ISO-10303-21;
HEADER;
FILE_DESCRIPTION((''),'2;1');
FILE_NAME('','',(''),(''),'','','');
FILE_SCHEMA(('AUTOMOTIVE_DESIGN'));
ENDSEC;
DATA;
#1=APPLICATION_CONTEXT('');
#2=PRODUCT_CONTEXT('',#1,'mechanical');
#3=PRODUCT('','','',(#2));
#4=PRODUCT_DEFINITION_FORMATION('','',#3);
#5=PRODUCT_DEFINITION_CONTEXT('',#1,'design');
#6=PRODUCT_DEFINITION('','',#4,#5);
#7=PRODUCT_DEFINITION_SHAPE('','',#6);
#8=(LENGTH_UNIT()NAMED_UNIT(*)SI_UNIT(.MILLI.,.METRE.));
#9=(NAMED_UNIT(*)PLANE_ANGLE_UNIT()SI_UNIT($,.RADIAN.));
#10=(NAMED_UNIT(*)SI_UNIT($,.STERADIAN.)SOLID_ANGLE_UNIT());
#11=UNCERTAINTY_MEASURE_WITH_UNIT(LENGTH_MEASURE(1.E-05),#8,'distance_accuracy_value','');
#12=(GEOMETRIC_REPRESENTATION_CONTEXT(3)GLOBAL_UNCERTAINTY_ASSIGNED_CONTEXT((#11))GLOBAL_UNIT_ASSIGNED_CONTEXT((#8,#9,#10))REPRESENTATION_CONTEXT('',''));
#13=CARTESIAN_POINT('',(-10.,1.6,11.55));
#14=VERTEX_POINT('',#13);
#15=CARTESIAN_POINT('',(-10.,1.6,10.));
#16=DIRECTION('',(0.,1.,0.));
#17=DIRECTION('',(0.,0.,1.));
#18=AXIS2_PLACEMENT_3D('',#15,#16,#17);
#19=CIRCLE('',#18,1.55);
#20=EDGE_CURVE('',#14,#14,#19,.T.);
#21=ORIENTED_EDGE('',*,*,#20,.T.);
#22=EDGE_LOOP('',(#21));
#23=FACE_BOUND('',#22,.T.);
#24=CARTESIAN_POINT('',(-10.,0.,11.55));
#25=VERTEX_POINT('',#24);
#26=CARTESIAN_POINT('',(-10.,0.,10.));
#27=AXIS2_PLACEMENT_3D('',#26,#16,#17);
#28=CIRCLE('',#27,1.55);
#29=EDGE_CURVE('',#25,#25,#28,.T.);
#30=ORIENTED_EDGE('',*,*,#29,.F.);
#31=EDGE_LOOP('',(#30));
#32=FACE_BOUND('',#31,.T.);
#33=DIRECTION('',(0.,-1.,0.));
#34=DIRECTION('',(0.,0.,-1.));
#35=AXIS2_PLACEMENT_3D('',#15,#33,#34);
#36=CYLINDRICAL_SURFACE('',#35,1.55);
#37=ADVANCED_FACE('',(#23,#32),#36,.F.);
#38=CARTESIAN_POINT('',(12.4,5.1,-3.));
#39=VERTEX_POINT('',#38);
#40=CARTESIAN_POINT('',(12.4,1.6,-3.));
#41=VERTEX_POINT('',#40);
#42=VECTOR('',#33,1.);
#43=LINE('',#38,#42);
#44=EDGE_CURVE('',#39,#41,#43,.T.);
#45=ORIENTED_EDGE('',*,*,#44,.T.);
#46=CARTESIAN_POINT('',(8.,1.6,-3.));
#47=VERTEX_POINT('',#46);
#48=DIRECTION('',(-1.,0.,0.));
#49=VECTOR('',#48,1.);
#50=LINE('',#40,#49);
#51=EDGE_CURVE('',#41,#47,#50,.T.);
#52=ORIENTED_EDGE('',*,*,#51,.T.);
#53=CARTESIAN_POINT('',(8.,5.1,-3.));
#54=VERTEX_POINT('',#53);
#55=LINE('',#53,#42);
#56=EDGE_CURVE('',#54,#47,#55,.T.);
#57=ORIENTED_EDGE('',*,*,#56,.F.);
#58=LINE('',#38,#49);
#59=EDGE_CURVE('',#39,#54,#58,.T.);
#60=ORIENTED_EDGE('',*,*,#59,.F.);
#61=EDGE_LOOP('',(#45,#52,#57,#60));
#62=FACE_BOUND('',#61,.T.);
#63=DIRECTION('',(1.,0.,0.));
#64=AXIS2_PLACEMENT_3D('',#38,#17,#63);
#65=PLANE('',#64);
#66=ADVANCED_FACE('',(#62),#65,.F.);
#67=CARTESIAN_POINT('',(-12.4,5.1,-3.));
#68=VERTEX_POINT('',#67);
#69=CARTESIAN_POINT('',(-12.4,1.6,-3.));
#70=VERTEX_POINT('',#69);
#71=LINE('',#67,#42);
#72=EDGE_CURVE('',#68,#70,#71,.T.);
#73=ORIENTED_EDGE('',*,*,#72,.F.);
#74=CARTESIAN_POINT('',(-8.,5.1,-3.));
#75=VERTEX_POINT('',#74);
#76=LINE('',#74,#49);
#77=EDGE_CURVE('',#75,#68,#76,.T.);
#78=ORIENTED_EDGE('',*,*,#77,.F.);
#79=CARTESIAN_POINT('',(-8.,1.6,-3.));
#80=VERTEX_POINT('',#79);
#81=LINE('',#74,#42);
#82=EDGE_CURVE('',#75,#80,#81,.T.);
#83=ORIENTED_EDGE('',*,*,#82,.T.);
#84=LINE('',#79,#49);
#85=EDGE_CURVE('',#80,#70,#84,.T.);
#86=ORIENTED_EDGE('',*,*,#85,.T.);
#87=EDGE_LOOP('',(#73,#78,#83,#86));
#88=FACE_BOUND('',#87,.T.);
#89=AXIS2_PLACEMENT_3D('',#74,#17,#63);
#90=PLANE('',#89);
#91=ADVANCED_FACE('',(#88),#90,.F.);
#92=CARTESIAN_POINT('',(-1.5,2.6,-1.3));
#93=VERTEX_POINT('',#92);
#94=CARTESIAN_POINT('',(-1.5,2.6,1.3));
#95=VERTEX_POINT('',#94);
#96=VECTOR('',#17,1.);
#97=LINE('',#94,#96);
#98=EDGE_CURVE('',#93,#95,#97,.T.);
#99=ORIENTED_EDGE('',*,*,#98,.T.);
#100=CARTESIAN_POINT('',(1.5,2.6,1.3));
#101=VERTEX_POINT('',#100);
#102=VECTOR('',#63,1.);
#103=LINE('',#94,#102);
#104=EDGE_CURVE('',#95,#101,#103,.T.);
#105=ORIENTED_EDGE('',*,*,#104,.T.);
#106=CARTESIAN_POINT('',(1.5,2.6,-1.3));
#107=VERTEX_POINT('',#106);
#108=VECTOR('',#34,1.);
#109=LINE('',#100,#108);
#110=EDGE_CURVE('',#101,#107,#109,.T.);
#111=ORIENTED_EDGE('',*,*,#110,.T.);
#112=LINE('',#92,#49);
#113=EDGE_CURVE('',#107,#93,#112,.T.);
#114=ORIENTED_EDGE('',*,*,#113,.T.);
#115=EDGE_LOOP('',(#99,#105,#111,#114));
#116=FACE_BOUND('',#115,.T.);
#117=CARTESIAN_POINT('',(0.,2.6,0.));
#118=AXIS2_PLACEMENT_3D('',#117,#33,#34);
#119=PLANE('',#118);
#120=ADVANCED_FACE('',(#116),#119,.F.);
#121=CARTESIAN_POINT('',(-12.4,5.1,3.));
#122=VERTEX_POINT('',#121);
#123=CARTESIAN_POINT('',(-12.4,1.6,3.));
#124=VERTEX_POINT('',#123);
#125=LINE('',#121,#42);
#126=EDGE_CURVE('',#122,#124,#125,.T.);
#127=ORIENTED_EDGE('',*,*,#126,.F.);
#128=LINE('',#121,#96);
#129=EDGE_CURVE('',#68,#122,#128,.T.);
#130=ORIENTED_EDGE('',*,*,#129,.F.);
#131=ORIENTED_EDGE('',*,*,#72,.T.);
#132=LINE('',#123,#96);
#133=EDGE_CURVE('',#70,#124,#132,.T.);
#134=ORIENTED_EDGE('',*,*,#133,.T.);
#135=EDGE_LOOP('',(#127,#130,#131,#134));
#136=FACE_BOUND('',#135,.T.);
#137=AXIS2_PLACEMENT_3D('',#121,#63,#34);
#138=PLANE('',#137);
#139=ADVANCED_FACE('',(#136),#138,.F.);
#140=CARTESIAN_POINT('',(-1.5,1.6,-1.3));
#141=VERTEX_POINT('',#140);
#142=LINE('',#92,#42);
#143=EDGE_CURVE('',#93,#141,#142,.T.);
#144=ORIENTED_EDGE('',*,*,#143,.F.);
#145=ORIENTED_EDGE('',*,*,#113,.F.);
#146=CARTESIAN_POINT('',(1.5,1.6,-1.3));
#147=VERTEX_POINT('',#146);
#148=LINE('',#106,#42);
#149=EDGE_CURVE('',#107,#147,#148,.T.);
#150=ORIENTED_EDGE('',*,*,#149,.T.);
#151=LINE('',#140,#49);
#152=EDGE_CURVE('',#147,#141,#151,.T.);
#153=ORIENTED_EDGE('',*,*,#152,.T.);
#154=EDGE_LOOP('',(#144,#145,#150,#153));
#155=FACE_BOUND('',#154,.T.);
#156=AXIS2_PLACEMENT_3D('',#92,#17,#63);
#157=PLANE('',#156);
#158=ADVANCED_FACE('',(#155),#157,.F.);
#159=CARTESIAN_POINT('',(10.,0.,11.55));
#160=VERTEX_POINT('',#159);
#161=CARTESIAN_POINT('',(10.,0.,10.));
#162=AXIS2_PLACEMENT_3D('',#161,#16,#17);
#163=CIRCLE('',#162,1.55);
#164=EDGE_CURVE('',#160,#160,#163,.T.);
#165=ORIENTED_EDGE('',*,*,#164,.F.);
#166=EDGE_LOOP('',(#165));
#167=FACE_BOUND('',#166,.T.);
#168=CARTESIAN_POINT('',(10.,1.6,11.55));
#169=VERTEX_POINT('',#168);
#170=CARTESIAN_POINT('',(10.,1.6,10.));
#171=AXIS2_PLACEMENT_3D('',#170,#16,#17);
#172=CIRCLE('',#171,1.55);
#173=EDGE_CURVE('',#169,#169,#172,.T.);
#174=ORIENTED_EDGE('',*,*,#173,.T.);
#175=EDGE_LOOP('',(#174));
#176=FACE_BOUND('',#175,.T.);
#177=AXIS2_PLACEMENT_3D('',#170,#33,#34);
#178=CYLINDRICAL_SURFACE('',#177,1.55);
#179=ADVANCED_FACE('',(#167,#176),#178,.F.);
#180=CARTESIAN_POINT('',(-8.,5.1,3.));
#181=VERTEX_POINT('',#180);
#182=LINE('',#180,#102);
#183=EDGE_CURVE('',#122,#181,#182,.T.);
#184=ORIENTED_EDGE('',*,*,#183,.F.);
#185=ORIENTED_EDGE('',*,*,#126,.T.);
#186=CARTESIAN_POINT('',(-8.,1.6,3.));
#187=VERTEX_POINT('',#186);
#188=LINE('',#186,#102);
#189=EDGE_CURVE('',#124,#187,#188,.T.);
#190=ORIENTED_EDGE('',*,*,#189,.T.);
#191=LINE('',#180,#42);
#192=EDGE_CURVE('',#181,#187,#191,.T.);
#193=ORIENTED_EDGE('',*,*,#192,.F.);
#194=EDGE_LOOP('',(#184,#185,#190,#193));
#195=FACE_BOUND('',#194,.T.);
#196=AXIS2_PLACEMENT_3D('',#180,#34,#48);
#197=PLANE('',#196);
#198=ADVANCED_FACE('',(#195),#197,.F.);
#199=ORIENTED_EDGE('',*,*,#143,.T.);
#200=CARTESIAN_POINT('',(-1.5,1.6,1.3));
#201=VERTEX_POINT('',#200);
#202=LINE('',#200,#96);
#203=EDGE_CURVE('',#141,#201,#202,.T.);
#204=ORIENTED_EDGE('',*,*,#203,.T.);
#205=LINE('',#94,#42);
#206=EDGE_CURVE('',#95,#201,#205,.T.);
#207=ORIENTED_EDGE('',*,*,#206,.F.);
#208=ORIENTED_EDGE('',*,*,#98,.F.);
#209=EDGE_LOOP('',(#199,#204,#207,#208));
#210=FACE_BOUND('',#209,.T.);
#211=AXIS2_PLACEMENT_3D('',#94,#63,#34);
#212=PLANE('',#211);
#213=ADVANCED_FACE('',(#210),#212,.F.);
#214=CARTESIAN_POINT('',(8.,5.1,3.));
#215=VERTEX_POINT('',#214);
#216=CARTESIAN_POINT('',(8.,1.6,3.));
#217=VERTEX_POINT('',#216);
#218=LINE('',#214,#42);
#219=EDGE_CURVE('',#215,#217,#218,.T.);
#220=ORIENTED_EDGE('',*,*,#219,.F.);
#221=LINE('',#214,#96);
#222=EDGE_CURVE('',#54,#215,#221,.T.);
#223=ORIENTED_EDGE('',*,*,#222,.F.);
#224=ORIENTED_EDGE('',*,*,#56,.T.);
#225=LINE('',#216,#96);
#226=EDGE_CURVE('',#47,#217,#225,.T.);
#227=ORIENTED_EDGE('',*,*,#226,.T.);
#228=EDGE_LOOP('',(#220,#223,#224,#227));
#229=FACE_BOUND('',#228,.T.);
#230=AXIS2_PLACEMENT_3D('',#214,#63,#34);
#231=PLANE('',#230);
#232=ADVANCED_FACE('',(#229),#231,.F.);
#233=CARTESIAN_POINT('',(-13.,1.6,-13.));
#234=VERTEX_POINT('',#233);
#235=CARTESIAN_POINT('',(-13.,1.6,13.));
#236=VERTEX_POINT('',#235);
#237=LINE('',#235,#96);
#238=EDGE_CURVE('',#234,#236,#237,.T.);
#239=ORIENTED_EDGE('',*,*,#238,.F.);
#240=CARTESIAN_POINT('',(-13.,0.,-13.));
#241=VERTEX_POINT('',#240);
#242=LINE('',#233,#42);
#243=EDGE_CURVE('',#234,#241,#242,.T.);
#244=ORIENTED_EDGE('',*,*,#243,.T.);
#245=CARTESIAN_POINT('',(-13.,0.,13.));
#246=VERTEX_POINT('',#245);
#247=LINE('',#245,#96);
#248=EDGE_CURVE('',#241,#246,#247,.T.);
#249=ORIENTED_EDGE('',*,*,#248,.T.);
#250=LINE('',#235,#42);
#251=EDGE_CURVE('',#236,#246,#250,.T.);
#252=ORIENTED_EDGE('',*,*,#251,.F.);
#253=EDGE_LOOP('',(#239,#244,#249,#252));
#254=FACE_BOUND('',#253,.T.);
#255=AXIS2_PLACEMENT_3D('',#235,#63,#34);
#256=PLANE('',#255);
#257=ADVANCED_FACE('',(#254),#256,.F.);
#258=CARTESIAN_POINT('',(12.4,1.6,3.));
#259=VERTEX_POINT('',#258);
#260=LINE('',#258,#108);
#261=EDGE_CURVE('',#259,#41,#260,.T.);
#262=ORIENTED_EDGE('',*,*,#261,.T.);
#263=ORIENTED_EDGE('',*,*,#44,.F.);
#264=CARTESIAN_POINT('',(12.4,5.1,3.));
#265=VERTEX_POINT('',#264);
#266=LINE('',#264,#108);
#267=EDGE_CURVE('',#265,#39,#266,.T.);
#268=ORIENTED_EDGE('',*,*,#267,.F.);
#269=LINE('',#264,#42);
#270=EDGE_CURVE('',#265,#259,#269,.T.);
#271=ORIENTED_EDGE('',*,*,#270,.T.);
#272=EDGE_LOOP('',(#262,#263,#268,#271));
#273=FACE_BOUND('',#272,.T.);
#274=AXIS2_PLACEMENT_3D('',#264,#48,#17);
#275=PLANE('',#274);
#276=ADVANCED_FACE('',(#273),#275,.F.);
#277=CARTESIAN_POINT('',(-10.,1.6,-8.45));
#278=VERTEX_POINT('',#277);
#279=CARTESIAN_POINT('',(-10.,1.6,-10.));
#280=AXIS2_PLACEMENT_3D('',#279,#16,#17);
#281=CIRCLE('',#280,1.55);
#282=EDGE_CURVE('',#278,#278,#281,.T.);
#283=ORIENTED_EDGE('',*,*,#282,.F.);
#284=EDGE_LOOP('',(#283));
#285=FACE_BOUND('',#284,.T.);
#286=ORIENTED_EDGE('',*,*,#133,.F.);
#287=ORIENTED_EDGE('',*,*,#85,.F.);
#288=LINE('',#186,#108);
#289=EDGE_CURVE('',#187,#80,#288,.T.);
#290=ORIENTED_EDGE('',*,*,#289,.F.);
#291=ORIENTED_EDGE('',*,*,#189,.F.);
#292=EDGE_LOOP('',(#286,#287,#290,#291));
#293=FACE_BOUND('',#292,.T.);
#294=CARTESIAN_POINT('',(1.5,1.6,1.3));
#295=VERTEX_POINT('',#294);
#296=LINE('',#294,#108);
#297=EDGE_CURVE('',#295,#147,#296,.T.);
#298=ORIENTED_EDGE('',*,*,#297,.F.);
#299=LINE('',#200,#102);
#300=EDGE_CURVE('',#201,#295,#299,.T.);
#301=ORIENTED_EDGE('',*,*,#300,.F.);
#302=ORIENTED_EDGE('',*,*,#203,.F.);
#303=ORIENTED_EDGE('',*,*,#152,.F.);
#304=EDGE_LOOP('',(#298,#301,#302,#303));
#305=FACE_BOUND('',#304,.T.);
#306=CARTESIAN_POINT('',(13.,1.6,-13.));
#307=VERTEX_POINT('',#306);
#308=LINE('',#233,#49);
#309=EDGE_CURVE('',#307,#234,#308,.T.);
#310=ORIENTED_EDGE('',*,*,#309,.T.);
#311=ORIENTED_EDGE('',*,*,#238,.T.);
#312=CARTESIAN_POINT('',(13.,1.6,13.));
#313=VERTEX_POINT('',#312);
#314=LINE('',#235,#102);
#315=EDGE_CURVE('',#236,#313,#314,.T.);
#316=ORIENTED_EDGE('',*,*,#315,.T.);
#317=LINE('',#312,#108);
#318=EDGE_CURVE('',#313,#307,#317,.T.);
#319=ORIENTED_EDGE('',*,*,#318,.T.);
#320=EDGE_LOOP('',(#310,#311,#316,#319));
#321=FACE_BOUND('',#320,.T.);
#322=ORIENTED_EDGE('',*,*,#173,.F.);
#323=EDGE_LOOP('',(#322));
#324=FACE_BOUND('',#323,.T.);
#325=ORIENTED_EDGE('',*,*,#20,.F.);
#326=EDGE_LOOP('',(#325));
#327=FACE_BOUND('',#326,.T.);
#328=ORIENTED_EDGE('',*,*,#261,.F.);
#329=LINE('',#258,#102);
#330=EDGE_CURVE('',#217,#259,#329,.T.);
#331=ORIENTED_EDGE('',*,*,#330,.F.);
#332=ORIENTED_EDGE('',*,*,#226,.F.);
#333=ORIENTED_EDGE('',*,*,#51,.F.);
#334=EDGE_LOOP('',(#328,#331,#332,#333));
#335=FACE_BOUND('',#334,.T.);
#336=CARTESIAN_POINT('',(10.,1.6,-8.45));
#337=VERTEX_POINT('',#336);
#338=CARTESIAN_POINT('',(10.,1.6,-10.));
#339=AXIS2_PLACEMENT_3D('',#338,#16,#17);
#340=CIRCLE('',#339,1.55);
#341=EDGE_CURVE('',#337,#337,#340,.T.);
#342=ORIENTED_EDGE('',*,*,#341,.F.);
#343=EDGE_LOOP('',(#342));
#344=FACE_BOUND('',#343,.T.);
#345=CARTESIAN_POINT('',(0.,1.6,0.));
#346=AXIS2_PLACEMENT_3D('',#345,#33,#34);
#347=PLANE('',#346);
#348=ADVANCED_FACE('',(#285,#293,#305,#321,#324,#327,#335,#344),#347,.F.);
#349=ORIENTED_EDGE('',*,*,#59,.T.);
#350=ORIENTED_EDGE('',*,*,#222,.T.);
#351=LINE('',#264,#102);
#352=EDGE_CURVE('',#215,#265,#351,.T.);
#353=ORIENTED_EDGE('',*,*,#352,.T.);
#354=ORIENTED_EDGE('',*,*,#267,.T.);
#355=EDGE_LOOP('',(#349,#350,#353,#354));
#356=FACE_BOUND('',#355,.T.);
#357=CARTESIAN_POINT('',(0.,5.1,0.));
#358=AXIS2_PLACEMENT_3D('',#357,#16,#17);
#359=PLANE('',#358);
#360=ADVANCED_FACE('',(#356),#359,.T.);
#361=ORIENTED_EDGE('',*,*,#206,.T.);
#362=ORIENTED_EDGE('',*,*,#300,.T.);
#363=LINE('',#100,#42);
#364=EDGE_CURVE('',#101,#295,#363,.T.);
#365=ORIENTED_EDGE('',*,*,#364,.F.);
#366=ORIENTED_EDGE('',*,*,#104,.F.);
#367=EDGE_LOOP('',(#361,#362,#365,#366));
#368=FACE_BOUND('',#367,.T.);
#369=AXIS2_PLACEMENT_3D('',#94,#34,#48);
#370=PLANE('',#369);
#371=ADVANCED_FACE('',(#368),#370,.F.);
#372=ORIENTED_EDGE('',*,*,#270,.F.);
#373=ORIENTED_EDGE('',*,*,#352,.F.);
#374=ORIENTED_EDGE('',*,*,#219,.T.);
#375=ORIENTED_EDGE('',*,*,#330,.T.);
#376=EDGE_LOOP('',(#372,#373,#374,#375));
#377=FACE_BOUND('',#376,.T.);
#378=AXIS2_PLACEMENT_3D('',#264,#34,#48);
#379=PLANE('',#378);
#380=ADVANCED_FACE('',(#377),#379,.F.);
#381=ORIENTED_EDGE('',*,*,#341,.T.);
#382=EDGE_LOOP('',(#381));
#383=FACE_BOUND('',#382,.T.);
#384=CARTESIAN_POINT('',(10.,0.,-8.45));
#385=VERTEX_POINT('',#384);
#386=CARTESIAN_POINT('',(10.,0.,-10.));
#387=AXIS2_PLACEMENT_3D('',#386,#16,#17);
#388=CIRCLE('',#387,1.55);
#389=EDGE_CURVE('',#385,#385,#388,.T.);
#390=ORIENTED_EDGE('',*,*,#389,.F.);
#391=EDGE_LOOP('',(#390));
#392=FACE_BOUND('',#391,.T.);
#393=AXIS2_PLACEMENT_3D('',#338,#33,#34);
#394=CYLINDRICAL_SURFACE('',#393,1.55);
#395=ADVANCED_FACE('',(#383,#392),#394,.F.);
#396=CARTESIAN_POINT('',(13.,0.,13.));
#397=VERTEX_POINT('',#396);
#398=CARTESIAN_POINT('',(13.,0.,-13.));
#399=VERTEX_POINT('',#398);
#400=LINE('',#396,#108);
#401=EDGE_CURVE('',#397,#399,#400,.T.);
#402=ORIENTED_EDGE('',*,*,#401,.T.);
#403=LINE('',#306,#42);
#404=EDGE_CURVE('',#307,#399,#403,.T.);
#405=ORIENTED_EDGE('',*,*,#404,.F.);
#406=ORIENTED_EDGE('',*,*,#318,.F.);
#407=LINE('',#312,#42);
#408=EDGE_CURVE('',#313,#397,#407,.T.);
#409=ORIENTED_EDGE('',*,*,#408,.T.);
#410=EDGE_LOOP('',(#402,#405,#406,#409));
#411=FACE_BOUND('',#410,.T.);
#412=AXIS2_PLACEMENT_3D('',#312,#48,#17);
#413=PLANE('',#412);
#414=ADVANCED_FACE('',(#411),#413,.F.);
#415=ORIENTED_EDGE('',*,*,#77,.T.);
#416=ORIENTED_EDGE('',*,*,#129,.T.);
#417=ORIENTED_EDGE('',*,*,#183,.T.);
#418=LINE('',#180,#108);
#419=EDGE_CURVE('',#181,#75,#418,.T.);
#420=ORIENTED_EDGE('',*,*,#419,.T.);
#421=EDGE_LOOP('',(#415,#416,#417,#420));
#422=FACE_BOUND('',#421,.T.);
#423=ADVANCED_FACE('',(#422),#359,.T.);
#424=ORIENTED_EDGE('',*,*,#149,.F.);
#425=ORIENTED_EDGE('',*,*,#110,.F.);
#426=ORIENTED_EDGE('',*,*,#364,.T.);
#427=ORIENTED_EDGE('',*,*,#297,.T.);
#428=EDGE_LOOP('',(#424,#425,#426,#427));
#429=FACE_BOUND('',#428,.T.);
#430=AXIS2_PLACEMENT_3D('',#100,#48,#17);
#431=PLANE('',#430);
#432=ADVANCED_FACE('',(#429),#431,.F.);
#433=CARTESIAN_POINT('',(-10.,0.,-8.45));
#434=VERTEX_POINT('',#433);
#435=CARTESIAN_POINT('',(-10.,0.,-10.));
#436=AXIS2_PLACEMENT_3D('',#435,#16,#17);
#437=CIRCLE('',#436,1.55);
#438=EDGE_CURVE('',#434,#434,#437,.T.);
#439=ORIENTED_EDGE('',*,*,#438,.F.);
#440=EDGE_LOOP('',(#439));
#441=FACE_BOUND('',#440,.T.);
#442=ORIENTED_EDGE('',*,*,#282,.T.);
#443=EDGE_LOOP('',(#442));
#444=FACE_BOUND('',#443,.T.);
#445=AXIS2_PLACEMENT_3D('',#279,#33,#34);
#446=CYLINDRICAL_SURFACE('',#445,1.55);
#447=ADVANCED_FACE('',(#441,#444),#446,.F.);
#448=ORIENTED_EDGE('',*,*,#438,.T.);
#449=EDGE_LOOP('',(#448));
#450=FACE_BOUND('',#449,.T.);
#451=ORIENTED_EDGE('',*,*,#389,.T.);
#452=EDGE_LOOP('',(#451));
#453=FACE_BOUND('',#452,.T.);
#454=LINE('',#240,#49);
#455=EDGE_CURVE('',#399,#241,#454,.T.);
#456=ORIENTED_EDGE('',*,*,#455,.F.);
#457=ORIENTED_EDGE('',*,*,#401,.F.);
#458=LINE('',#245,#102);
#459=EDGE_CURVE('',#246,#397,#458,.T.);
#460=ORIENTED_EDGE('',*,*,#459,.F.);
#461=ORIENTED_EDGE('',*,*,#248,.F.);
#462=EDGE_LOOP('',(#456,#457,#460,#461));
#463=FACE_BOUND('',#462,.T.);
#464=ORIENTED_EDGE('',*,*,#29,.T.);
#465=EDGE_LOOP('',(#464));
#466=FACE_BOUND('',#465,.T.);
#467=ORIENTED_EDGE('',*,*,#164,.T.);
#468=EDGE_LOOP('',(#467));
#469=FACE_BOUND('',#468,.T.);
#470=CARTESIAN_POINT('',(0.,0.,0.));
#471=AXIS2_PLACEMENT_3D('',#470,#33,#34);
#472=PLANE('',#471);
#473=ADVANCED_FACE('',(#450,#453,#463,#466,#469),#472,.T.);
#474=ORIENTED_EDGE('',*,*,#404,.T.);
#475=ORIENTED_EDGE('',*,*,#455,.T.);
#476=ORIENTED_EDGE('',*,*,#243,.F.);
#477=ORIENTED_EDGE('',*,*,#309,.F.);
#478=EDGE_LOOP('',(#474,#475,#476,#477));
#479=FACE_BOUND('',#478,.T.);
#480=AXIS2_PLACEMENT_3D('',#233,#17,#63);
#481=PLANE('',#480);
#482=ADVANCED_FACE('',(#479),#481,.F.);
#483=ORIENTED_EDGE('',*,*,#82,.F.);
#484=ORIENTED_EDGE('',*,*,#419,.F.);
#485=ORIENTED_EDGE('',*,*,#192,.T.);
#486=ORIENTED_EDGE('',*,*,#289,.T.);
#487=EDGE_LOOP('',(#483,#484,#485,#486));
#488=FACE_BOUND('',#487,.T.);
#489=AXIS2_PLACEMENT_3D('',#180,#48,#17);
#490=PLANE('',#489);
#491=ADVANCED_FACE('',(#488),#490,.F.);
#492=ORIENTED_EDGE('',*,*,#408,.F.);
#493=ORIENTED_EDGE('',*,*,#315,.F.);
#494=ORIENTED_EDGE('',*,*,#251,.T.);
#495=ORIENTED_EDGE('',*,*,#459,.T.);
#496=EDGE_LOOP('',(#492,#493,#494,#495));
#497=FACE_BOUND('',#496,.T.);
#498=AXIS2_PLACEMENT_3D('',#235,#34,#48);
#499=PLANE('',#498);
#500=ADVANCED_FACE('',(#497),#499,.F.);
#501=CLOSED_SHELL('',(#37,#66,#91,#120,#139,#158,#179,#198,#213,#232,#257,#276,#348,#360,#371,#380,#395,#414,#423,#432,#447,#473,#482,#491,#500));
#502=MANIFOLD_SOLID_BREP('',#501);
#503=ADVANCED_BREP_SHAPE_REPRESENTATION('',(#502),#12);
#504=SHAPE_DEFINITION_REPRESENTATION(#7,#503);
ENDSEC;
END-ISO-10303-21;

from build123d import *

# Parameters (mm, degrees)
SKETCH1_W           = 26
SKETCH1_H           = 26
SKETCH1_R           = 1.55
BOSS_EXTRUDE1_DEPTH = 1.6
SKETCH2_W           = 4.4
SKETCH2_H           = 6
BOSS_EXTRUDE2_DEPTH = 3.5
SKETCH3_W           = 3
SKETCH3_H           = 2.6
BOSS_EXTRUDE3_DEPTH = 1


with BuildPart() as part:
    # Sketch1 → Boss-Extrude1 (new body)
    with BuildSketch(Plane(origin=(0, 0, 0), x_dir=(1, 0, 0), z_dir=(0, 1, 0))):
        Rectangle(SKETCH1_W, SKETCH1_H)
        with Locations((-10, 10)):
            Circle(SKETCH1_R, mode=Mode.SUBTRACT)
        with Locations((10, 10)):
            Circle(SKETCH1_R, mode=Mode.SUBTRACT)
        with Locations((10, -10)):
            Circle(SKETCH1_R, mode=Mode.SUBTRACT)
        with Locations((-10, -10)):
            Circle(SKETCH1_R, mode=Mode.SUBTRACT)
    extrude(amount=BOSS_EXTRUDE1_DEPTH)

    # Sketch2 → Boss-Extrude2 (add)
    with BuildSketch(Plane(origin=(0, 1.6, 0), x_dir=(1, 0, 0), z_dir=(0, 1, 0))):
        with Locations((-10.2, 0)):
            Rectangle(SKETCH2_W, SKETCH2_H)
        with Locations((10.2, 0)):
            Rectangle(SKETCH2_W, SKETCH2_H)
    extrude(amount=BOSS_EXTRUDE2_DEPTH)

    # Sketch3 → Boss-Extrude3 (add)
    with BuildSketch(Plane(origin=(0, 1.6, 0), x_dir=(1, 0, 0), z_dir=(0, 1, 0))):
        Rectangle(SKETCH3_W, SKETCH3_H)
    extrude(amount=BOSS_EXTRUDE3_DEPTH)


solid = part.part
